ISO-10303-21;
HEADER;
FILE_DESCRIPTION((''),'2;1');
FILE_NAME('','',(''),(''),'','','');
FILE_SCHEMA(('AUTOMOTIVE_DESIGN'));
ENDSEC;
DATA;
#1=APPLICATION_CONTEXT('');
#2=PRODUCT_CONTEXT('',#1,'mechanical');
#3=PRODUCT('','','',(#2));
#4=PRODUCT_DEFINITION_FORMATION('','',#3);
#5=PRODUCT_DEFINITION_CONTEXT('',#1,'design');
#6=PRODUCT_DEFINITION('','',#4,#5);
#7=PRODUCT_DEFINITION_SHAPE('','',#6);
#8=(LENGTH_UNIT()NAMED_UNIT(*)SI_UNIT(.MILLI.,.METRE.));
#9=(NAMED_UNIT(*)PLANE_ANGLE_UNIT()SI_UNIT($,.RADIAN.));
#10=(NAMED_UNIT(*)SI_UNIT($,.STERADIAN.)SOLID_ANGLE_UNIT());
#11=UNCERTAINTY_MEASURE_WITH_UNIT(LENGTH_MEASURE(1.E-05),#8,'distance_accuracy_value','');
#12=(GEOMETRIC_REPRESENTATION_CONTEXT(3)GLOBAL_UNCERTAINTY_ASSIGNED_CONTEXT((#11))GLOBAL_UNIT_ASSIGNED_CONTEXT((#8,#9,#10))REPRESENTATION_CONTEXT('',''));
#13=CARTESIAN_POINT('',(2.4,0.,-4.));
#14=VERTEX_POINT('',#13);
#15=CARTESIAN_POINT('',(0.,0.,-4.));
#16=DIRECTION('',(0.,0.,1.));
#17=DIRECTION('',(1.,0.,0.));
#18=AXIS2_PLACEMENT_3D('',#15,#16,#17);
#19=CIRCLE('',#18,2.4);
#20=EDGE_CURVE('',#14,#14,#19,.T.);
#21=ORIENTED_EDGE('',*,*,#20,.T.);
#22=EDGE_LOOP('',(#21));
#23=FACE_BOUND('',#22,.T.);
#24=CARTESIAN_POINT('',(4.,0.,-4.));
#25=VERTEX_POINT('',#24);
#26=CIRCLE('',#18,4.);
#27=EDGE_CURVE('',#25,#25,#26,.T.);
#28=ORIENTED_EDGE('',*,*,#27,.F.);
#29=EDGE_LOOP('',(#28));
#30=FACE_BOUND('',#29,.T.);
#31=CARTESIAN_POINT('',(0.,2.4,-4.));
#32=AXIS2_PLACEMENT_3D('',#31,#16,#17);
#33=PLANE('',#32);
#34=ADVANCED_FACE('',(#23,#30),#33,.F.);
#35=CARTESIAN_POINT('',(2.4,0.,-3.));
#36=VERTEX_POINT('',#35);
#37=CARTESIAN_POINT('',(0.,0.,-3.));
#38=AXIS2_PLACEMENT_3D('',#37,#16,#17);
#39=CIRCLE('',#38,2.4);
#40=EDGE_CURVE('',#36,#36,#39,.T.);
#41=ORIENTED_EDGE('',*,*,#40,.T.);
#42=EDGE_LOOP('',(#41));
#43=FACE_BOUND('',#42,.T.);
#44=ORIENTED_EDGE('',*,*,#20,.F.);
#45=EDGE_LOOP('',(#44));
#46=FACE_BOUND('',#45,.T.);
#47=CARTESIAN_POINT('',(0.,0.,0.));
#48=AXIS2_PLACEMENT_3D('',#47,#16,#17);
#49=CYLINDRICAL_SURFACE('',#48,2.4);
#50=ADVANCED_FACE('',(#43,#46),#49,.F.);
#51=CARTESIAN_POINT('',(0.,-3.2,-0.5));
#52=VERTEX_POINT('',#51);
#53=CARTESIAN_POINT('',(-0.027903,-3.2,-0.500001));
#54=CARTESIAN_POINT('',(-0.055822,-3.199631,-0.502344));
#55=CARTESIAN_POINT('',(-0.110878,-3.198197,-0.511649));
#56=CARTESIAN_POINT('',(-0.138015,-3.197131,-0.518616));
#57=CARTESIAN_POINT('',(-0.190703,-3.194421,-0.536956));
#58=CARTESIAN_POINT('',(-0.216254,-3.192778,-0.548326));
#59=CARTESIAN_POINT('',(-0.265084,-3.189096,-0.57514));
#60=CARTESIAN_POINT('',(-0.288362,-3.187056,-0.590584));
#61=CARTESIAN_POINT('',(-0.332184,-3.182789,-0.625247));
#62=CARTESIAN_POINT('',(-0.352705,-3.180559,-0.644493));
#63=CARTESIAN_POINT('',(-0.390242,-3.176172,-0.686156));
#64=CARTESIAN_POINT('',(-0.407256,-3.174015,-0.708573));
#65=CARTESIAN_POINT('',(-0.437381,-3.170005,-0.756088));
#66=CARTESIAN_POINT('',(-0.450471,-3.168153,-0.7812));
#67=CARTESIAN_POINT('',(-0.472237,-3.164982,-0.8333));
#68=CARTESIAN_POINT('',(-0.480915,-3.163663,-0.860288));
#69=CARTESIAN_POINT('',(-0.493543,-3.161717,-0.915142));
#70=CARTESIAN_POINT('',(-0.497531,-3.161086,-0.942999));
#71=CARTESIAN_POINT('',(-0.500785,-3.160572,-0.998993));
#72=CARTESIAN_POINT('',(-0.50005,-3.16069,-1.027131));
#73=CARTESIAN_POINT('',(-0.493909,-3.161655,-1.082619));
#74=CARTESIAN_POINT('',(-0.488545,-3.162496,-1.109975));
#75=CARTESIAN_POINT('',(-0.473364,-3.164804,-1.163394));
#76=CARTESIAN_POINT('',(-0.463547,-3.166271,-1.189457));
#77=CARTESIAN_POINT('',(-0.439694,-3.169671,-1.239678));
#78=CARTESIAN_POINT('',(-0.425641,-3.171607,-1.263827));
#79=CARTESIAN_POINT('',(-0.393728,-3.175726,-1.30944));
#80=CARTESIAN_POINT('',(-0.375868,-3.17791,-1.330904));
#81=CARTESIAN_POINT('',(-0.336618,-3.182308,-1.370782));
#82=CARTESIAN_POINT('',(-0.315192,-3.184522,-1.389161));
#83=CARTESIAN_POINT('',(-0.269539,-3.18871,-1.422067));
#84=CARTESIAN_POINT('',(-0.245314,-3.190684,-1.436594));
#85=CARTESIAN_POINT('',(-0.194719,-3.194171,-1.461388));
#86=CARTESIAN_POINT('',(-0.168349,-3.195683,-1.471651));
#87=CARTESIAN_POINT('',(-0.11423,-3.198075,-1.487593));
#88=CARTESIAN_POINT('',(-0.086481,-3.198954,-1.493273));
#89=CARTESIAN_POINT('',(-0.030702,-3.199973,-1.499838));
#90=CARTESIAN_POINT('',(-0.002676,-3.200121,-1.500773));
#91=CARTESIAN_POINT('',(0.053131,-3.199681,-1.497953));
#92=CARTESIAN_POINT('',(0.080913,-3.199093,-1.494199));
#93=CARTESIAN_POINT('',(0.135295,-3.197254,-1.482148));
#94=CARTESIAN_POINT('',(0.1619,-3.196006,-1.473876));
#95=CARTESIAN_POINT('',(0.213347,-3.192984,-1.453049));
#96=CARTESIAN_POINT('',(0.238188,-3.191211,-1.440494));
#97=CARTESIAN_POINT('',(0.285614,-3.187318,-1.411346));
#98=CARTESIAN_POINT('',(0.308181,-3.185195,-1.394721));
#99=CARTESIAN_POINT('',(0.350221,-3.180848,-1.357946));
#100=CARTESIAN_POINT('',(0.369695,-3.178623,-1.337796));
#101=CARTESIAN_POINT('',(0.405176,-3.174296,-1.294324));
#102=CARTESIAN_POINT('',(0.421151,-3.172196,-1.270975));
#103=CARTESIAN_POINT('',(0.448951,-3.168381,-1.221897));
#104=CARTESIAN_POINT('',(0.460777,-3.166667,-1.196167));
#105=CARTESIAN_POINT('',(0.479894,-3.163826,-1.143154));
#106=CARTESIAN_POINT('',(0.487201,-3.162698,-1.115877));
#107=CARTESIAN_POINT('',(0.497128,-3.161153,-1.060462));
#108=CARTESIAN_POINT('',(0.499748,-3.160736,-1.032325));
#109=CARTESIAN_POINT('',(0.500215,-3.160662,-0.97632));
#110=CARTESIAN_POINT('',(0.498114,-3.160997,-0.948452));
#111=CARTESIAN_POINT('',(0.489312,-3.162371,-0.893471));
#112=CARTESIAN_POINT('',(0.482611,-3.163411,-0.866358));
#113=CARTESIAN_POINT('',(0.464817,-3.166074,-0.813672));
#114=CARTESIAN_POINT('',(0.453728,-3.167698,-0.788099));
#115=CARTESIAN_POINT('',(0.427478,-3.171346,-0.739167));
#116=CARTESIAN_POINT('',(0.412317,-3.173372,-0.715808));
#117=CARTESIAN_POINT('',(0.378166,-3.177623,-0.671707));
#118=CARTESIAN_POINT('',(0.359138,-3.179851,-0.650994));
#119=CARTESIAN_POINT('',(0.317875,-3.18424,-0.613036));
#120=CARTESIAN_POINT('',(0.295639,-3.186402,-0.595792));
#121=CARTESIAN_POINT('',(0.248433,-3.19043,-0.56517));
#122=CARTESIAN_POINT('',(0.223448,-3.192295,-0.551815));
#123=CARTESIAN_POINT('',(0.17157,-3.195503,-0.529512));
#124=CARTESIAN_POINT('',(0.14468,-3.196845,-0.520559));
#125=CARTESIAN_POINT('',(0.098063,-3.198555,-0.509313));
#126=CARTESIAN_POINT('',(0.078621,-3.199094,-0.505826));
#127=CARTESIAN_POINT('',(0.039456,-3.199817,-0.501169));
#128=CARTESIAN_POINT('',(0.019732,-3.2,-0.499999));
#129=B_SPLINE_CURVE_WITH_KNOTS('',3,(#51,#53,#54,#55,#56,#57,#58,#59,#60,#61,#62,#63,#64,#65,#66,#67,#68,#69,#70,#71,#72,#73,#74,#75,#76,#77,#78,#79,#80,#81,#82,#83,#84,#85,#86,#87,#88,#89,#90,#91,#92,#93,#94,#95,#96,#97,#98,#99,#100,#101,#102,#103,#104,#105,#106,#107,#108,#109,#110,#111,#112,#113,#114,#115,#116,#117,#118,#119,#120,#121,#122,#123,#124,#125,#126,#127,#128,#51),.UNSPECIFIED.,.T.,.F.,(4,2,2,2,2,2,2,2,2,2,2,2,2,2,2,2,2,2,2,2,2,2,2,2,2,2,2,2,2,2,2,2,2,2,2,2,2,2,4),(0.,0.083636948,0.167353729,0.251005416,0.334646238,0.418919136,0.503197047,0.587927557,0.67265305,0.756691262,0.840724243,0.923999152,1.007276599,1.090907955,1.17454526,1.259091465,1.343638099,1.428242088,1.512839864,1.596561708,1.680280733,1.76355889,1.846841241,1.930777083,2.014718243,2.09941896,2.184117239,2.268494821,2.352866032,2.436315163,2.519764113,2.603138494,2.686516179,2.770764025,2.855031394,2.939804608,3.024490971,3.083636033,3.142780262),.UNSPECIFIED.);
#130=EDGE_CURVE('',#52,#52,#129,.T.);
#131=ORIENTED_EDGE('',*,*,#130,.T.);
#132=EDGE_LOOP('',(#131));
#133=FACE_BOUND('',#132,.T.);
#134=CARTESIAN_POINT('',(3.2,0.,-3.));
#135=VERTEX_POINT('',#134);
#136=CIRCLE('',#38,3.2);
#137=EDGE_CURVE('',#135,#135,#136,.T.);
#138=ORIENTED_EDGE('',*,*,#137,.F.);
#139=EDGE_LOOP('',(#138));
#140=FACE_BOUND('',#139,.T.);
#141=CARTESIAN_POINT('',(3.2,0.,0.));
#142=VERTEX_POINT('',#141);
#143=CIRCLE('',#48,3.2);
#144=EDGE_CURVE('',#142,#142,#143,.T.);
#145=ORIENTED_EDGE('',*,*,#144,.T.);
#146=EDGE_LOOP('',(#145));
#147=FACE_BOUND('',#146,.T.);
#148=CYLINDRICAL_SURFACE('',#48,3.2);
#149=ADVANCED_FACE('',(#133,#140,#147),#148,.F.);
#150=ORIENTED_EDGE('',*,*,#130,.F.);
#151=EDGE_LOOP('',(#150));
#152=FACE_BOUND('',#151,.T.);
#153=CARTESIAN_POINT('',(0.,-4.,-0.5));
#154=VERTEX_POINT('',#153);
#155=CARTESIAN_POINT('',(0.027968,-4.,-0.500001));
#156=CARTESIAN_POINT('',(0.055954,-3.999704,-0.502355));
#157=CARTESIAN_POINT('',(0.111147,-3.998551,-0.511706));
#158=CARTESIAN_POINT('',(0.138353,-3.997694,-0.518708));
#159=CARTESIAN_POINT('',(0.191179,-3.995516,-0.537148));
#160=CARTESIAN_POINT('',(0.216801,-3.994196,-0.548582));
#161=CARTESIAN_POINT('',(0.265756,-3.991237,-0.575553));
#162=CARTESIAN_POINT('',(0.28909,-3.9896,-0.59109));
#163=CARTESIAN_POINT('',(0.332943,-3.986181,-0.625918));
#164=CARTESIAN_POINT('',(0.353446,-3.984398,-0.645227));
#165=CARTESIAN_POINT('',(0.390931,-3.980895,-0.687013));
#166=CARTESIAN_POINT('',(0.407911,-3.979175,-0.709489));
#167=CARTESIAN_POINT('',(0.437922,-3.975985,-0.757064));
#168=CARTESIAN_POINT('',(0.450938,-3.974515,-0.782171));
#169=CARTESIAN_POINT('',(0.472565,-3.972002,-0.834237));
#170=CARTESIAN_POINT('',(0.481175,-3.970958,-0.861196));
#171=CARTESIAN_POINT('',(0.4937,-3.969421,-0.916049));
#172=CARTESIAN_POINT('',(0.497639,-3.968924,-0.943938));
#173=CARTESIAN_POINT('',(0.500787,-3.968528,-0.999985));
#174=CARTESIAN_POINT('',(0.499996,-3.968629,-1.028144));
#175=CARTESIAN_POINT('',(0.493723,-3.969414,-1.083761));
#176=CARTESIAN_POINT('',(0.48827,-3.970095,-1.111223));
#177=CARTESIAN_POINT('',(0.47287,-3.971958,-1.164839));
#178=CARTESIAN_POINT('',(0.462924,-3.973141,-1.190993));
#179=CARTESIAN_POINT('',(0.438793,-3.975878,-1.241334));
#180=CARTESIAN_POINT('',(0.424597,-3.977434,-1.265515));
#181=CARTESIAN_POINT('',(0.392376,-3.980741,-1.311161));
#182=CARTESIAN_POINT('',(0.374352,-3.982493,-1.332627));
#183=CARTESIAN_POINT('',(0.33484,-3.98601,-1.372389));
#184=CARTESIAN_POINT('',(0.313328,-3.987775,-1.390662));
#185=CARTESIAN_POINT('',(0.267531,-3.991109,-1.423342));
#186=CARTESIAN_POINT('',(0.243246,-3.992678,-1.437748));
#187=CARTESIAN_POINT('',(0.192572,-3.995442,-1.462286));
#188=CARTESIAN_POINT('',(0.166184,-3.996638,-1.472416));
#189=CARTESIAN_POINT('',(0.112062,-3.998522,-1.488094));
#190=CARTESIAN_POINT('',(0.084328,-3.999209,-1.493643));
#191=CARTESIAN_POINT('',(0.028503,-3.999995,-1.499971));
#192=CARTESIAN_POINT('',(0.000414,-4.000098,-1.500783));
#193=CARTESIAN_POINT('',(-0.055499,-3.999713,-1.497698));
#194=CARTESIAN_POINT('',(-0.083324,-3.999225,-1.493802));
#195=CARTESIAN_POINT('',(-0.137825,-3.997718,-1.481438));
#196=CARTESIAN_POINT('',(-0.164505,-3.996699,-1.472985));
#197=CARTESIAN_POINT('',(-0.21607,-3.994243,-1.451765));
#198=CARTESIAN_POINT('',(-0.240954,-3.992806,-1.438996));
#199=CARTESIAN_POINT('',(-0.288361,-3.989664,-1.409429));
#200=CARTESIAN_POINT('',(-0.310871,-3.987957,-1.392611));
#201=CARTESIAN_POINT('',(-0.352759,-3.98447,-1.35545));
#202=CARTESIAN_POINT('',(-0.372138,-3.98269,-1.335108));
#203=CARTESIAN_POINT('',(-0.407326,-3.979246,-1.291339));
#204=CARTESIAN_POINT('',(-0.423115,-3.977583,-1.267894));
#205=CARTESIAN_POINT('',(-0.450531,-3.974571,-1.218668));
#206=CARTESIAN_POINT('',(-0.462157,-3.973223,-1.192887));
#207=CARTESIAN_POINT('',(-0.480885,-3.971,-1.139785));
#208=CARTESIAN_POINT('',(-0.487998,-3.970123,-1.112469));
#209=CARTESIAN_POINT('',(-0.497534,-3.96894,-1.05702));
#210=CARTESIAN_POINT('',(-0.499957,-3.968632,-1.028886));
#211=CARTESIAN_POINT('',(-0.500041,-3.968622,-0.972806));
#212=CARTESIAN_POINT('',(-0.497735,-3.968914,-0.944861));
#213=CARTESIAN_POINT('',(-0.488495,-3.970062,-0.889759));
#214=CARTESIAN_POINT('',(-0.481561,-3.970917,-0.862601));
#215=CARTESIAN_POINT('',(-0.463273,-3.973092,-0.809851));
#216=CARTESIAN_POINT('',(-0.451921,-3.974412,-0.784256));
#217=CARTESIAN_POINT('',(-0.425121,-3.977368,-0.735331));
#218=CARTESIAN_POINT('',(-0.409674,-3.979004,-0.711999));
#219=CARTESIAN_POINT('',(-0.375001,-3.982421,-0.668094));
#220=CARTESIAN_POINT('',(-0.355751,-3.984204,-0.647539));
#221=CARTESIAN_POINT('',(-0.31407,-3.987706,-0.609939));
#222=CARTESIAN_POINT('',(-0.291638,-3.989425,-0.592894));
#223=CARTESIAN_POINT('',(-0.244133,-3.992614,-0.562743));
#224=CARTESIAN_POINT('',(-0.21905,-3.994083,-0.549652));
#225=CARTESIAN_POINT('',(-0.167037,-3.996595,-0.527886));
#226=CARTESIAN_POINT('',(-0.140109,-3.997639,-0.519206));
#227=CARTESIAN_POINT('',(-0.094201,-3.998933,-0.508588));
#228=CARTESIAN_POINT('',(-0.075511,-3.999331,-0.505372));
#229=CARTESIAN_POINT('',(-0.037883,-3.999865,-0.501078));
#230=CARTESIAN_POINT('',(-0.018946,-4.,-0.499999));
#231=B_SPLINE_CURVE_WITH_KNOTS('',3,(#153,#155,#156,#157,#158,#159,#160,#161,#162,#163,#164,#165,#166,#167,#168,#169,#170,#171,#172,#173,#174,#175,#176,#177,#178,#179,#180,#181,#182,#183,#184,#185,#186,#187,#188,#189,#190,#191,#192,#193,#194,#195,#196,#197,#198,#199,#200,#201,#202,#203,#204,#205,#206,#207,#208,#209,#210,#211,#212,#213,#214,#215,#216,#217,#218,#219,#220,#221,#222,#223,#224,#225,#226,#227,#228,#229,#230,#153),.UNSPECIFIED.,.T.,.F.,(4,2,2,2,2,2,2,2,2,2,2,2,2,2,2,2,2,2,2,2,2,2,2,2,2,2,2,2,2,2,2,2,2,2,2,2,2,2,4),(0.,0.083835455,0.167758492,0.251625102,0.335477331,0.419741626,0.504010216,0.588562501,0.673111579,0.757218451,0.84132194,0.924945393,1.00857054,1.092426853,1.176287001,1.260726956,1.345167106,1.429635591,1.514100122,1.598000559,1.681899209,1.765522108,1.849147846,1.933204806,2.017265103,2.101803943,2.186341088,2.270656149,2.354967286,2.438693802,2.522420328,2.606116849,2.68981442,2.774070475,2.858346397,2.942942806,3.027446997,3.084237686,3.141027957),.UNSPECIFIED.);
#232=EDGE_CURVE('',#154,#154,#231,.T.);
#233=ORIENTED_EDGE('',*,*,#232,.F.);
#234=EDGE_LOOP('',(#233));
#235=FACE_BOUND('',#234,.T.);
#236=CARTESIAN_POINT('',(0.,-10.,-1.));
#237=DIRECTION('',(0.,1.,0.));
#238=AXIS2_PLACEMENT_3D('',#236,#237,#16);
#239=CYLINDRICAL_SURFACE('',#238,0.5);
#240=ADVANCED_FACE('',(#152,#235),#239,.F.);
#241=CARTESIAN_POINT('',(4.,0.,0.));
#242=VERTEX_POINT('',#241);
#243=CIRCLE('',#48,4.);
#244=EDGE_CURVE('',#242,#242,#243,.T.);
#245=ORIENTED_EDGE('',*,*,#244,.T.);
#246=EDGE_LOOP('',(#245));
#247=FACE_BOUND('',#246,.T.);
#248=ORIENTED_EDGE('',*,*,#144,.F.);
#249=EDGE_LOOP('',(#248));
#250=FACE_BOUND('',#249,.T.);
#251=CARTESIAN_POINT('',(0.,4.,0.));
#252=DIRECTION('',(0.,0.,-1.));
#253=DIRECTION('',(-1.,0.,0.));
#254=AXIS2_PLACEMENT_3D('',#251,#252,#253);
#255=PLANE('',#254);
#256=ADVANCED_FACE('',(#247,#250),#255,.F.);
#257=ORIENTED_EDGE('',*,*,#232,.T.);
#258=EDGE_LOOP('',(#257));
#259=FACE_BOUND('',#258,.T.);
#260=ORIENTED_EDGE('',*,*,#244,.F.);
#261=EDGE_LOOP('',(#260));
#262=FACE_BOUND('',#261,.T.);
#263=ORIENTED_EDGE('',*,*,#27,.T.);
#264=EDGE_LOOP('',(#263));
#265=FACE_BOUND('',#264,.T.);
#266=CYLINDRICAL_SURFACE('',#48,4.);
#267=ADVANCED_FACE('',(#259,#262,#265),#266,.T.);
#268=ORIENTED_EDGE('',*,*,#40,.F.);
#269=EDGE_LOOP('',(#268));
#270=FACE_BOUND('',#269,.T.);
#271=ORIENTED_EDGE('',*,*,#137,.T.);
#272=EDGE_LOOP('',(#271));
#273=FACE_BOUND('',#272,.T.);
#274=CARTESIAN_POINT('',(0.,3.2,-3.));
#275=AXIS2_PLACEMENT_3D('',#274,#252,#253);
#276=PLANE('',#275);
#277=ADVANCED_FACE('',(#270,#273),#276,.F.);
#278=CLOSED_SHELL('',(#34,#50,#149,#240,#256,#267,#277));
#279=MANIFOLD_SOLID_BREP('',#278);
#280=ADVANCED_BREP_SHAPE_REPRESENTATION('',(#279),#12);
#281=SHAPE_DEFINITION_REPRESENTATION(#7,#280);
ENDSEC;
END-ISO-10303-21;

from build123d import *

# Parameters (mm, degrees)
SKETCH_3_R          = 0.5
CUT_EXTRUDE_1_DEPTH = 10


with BuildPart() as part:
    # 草图2 → 旋转1 (revolve)
    with BuildSketch(Plane(origin=(0, 0, 0), x_dir=(0, 0, -1), z_dir=(1, 0, 0)), mode=Mode.PRIVATE) as revolve_1_sk:
        Polygon((0, 3.2), (3, 3.2), (3, 2.4), (4, 2.4), (4, 4), (0, 4), align=None)
    revolve(revolve_1_sk.sketch.rotate(Axis((0, 0, 0), (0, 0, -1)), 90), axis=Axis((0, 0, 0), (0, 0, -1)))

    # 草图3 → 切除-拉伸1 (cut)
    with BuildSketch(Plane(origin=(0, 0, 0), x_dir=(1, 0, 0), z_dir=(0, 1, 0))):
        with Locations(Location((0, 1, 0), (0, 0, 270))):
            Circle(SKETCH_3_R)
    extrude(amount=-CUT_EXTRUDE_1_DEPTH, mode=Mode.SUBTRACT)


solid = part.part
